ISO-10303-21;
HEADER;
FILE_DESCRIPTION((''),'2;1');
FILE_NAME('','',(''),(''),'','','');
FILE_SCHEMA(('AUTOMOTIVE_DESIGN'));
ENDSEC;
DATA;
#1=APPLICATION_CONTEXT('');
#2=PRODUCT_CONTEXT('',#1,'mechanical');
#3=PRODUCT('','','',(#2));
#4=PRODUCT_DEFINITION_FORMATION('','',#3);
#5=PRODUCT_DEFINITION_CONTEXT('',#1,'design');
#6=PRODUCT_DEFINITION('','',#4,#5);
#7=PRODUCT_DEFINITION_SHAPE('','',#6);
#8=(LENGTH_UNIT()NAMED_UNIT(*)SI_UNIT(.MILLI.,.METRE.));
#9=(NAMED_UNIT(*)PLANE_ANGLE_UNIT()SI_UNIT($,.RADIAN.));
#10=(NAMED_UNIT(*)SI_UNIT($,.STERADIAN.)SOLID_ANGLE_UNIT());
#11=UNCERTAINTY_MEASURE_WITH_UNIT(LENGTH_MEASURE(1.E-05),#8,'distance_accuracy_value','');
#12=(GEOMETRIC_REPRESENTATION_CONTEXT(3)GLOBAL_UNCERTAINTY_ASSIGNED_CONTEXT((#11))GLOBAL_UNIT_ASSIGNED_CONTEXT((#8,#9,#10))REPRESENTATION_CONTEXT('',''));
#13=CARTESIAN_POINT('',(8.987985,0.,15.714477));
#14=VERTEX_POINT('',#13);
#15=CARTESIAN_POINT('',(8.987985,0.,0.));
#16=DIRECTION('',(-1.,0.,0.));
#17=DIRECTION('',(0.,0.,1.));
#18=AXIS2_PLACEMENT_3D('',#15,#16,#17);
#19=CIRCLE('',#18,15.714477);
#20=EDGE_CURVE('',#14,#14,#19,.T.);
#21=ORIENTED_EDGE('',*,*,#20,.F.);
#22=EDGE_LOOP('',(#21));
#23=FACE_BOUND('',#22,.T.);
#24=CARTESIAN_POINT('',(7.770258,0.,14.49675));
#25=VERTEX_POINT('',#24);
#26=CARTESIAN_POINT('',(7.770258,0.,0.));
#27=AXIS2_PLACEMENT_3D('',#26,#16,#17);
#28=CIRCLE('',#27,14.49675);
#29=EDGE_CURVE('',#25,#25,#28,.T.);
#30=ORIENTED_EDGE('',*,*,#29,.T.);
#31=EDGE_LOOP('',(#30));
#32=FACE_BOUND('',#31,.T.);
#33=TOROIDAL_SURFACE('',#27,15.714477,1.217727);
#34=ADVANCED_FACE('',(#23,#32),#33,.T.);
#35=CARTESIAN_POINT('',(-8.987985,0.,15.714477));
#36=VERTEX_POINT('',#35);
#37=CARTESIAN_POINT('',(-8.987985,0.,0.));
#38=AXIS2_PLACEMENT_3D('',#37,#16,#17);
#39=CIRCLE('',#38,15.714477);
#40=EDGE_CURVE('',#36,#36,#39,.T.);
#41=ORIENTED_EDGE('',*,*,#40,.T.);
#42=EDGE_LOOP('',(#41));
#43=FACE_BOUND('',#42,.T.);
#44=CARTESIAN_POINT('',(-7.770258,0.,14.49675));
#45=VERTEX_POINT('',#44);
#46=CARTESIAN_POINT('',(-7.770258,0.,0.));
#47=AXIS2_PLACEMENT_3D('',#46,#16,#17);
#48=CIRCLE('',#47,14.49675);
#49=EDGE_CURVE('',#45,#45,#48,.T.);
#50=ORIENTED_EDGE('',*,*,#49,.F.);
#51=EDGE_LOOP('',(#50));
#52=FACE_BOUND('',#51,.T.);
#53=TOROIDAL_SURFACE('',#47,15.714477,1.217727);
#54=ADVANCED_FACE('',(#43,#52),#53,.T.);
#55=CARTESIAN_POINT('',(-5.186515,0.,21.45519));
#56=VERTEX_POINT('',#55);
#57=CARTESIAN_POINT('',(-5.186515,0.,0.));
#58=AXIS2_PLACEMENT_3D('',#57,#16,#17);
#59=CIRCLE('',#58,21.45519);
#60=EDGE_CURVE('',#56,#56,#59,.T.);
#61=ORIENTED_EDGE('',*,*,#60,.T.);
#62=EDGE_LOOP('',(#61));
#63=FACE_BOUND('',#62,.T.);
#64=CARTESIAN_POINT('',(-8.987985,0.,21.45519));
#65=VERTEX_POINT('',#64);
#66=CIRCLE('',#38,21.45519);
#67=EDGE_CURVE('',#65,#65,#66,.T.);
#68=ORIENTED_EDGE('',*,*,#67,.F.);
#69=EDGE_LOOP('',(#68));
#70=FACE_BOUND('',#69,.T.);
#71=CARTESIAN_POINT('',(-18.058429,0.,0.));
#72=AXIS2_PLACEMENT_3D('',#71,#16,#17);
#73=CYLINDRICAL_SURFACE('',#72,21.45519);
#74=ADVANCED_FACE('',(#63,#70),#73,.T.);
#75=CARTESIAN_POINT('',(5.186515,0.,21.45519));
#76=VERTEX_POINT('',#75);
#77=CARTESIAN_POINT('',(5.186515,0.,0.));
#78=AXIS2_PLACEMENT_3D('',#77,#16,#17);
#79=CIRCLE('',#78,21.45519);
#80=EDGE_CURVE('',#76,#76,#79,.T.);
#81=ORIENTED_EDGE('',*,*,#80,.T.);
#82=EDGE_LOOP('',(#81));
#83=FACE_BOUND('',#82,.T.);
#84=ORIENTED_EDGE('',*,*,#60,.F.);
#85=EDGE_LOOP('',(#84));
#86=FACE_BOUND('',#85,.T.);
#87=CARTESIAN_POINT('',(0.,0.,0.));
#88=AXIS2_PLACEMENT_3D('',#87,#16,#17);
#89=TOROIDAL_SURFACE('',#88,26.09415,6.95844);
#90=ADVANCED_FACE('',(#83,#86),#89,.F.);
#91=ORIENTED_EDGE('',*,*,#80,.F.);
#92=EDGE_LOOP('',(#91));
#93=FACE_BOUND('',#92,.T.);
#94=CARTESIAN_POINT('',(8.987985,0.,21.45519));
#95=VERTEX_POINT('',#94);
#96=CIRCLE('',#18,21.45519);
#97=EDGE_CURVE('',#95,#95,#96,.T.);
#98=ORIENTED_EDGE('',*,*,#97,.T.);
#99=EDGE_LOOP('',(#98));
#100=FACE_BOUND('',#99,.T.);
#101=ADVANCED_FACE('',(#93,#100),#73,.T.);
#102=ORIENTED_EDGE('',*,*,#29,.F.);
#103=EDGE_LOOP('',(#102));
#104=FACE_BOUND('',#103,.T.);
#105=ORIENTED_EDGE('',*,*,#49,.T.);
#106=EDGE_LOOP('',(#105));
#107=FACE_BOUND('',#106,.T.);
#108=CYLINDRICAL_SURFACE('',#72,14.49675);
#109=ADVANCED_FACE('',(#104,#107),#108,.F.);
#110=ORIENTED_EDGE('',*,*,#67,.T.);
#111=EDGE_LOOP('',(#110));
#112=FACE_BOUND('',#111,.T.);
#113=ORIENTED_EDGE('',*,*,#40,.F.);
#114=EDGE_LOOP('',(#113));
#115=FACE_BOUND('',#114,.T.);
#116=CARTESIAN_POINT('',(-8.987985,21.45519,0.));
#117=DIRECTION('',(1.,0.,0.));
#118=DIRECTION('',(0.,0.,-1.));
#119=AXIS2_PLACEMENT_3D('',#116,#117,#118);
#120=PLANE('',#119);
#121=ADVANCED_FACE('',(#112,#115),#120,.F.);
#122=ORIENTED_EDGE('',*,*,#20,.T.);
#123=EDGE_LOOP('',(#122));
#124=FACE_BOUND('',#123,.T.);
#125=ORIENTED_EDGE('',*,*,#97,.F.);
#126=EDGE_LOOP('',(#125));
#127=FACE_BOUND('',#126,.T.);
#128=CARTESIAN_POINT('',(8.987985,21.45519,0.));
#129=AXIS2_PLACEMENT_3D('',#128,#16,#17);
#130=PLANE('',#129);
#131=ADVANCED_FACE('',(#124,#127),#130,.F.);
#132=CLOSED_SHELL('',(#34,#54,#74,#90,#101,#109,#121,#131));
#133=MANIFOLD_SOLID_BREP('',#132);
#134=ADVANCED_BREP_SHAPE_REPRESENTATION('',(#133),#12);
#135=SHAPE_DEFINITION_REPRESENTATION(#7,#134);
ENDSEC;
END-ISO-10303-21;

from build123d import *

# Parameters (mm, degrees)
SCALE1_SCALE = 0.2
SCALE2_SCALE = 1.9329
SCALE3_SCALE = 1.5


with BuildPart() as part:
    # Sketch1 → Revolve1 (revolve)
    with BuildSketch(Plane.XY, mode=Mode.PRIVATE) as revolve1_sk:
        with BuildLine():
            Line((-15.5, 37), (-8.94427191, 37))
            ThreePointArc((-8.94427191, 37), (0, 33), (8.94427191, 37))
            Line((8.94427191, 37), (15.5, 37))
            Line((15.5, 37), (15.5, 27.1))
            ThreePointArc((15.5, 27.1), (14.88492424, 25.61507576), (13.4, 25))
            Line((13.4, 25), (-13.4, 25))
            ThreePointArc((-13.4, 25), (-14.88492424, 25.61507576), (-15.5, 27.1))
            Line((-15.5, 27.1), (-15.5, 37))
        make_face()
    revolve(revolve1_sk.sketch.rotate(Axis((-31.142201835, 0, 0), (1, 0, 0)), 90), axis=Axis((-31.142201835, 0, 0), (1, 0, 0)))


with BuildPart() as part_1:
    # Scale1: scaled about (0, 0, 0)
    add(part.part.scale(SCALE1_SCALE))


with BuildPart() as part_2:
    # Scale2: scaled about (0, 0, 0)
    add(part_1.part.scale(SCALE2_SCALE))


with BuildPart() as part_3:
    # Scale3: scaled about (0, 0, 0)
    add(part_2.part.scale(SCALE3_SCALE))


solid = part_3.part
